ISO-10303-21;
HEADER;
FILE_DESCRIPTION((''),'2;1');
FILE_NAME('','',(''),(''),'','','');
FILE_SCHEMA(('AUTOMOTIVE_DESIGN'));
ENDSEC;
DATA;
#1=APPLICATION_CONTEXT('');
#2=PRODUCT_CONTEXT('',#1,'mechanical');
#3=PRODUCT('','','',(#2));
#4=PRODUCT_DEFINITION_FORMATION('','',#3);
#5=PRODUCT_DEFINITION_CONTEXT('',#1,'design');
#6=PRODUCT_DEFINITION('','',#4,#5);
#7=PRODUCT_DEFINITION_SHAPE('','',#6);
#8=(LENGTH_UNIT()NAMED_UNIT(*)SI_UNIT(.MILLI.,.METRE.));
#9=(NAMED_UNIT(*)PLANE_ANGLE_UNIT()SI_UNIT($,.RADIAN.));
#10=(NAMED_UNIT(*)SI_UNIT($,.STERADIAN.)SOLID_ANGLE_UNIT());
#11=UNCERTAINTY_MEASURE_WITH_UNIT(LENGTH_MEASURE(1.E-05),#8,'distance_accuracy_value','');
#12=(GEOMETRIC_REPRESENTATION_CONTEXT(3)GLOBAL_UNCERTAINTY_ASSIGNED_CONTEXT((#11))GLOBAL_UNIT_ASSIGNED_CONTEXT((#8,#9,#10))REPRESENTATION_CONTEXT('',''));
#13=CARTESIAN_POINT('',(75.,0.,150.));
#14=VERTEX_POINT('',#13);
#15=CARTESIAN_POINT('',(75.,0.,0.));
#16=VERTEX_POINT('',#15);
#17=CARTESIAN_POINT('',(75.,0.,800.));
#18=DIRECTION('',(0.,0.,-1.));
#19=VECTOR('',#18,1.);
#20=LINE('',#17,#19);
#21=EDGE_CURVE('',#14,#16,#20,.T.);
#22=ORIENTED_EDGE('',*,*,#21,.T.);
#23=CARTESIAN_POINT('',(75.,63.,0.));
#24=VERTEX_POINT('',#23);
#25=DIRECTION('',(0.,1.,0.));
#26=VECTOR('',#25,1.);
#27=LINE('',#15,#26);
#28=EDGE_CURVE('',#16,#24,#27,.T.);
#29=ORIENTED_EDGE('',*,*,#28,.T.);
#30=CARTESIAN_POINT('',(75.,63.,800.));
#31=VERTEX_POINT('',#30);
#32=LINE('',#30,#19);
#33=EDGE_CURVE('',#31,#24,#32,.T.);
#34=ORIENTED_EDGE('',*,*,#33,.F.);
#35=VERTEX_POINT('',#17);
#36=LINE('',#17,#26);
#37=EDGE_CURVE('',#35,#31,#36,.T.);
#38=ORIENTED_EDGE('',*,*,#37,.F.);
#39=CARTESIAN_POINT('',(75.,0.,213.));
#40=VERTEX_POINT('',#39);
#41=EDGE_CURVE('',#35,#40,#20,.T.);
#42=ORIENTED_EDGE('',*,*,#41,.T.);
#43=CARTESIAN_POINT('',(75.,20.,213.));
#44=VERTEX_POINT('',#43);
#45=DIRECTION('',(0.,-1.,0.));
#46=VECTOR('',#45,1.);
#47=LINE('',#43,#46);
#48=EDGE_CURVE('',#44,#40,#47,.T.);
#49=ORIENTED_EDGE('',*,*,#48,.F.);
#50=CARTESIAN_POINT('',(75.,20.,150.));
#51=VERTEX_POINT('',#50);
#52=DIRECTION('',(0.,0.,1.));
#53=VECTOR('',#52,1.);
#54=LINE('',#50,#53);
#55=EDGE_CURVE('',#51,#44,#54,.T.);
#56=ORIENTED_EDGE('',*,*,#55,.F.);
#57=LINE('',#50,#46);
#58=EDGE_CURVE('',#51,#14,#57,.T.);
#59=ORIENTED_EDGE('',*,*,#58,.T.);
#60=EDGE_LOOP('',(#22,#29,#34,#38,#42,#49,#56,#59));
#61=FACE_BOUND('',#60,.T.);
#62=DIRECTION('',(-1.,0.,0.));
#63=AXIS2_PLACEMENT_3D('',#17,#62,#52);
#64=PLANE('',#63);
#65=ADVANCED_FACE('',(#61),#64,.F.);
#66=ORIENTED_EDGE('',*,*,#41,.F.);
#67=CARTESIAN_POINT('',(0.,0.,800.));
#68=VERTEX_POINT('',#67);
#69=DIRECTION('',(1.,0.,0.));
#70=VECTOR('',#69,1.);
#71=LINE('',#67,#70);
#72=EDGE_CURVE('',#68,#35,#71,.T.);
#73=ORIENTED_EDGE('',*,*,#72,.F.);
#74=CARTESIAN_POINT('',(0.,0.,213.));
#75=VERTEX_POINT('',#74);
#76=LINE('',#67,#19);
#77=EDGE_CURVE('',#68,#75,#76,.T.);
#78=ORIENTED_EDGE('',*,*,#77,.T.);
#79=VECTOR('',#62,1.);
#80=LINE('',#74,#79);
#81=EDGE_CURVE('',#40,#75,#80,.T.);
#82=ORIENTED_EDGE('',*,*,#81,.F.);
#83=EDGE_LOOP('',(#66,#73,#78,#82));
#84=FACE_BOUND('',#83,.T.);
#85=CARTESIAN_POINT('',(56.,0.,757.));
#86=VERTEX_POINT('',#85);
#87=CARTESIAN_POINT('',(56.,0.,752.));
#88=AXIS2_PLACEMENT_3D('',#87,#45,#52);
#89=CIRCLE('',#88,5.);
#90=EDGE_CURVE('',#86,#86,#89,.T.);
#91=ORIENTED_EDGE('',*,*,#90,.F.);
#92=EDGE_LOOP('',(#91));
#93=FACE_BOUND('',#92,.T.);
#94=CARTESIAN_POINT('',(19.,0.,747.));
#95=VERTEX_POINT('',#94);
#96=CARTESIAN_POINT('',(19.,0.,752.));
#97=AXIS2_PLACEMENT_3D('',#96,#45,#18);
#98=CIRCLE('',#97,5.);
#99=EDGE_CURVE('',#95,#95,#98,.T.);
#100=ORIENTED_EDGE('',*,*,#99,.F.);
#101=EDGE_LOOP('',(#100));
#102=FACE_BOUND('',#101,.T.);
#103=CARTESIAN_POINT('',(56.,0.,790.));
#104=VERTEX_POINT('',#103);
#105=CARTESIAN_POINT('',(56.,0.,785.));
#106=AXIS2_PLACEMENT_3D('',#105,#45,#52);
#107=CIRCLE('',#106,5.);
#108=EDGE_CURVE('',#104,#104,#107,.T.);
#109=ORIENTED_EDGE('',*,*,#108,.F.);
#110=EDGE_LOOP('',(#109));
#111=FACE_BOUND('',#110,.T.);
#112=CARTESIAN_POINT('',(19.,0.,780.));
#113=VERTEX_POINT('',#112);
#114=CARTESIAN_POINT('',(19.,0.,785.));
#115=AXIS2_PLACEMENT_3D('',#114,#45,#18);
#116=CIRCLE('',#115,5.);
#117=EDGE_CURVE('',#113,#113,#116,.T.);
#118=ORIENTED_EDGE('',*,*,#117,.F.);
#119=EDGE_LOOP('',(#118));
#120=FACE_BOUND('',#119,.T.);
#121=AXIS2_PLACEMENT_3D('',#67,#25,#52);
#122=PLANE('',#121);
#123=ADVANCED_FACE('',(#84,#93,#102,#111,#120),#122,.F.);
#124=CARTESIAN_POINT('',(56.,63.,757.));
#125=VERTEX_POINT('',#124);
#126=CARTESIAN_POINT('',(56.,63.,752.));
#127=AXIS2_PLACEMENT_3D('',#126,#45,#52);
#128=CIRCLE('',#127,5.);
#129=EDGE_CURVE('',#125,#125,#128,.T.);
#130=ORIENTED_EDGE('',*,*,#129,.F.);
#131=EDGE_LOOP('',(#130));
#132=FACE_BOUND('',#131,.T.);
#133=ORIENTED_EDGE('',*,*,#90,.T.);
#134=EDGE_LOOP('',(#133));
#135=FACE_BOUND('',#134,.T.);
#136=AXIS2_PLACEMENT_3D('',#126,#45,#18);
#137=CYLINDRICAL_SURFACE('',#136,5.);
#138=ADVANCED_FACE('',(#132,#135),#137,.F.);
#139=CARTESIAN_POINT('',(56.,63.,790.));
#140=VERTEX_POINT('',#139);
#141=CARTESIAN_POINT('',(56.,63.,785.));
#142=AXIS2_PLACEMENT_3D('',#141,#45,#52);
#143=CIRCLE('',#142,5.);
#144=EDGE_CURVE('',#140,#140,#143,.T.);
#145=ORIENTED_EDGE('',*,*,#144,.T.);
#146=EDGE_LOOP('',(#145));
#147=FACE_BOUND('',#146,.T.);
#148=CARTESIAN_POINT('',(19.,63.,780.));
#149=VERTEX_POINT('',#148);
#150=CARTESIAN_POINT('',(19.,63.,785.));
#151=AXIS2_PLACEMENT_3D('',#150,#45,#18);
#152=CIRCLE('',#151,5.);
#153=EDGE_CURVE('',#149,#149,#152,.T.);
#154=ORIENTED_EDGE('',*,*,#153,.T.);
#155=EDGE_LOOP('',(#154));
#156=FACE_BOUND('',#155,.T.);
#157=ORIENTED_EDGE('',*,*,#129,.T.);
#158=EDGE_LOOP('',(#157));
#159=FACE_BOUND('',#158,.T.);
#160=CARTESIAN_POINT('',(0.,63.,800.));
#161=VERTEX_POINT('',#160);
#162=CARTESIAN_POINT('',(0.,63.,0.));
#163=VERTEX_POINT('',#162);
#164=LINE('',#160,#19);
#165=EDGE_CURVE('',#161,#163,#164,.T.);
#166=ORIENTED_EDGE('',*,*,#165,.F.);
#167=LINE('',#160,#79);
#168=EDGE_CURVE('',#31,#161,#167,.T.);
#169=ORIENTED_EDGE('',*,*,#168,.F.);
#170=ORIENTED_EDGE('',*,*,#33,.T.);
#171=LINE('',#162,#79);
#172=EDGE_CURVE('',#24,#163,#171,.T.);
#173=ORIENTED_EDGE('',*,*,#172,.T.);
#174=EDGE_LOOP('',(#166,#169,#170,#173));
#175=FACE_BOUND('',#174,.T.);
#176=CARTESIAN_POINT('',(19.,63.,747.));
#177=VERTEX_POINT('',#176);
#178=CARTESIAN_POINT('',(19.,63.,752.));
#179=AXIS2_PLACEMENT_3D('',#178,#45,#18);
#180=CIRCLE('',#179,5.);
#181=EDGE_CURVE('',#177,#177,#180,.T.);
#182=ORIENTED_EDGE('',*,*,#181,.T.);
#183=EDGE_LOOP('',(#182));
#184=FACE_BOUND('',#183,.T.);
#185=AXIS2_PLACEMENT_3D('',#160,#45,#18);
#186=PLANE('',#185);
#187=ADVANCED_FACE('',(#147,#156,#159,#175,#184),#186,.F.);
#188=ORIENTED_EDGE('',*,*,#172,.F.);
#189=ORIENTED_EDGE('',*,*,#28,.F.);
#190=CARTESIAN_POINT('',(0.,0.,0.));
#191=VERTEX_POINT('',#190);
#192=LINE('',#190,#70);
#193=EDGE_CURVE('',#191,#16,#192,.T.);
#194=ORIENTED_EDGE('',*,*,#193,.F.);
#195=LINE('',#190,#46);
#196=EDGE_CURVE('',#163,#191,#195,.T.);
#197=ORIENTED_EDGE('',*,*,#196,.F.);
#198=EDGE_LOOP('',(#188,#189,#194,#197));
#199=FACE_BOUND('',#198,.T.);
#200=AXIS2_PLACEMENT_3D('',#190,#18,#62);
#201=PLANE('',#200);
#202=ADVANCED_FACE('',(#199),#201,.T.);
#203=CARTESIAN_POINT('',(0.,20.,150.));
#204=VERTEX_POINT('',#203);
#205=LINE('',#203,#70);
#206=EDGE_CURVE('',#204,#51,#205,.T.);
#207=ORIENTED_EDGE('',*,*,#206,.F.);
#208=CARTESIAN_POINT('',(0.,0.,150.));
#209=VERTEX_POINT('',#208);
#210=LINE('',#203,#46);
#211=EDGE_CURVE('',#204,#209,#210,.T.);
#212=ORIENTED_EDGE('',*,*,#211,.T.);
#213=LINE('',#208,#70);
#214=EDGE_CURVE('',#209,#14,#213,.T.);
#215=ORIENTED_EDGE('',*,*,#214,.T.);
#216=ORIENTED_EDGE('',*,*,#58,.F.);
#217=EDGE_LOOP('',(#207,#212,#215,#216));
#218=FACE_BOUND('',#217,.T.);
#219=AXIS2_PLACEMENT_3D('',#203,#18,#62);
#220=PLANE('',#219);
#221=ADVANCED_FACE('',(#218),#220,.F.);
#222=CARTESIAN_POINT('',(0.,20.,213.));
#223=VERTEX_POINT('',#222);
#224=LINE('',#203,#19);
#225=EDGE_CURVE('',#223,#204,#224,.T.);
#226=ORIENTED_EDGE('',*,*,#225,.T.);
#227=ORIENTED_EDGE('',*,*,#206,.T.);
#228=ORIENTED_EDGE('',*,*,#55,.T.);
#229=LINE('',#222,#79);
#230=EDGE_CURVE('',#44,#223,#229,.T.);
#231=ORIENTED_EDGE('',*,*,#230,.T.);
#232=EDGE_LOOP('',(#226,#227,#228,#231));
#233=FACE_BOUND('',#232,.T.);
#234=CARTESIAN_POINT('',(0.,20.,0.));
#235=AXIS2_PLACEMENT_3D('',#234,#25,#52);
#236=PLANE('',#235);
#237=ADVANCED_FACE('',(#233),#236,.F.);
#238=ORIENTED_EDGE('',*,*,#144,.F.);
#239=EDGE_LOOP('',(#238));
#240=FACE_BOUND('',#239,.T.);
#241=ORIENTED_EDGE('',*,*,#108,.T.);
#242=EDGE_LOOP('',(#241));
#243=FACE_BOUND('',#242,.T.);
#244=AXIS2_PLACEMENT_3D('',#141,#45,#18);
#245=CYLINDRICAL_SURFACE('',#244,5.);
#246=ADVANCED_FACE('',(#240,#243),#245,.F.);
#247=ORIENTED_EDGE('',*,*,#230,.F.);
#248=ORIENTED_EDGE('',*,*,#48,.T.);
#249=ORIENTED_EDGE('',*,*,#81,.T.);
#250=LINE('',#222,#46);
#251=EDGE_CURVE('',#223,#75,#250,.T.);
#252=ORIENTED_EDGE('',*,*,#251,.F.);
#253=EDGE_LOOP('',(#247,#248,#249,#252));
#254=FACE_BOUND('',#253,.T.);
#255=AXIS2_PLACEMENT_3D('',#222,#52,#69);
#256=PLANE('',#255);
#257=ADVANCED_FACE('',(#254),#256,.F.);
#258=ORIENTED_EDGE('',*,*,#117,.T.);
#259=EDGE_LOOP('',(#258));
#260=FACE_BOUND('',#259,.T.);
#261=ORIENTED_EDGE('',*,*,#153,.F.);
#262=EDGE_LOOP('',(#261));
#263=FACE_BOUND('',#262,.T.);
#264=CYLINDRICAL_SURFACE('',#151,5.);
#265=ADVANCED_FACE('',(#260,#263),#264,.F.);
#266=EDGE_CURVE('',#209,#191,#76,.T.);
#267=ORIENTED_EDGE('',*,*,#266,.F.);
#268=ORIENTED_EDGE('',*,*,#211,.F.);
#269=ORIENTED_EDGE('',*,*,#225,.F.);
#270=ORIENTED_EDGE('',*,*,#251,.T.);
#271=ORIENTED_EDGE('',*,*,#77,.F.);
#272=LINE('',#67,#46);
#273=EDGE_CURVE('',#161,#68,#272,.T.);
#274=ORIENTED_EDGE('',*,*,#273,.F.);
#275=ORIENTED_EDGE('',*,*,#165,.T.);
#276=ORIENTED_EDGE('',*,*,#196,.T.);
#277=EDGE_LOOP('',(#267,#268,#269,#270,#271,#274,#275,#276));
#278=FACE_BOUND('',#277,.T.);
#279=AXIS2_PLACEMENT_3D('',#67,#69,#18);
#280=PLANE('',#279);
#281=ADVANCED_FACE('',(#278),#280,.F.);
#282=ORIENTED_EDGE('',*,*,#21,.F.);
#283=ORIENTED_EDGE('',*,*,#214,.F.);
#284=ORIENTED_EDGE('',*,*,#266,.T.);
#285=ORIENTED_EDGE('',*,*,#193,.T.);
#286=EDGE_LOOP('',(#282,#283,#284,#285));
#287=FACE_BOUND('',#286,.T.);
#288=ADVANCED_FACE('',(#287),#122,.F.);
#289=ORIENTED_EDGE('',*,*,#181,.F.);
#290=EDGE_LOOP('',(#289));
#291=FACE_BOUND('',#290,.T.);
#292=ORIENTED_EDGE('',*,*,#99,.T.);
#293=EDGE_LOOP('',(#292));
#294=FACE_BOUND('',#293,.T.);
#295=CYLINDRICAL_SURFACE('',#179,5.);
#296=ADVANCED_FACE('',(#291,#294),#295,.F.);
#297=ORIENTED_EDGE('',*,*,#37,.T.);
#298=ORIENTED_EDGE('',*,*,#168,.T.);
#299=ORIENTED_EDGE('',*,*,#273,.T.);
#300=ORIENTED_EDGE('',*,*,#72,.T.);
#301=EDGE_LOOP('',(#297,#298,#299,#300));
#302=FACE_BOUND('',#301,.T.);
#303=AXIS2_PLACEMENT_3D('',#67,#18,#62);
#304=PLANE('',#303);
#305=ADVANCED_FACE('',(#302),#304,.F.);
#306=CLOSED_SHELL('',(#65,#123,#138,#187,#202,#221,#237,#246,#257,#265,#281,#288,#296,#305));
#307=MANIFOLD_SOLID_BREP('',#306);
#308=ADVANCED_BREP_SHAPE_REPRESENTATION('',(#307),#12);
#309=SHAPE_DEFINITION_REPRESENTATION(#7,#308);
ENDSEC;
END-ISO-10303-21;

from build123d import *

# Parameters (mm, degrees)
ESQUISSE1_W             = 75
ESQUISSE1_H             = 63
BOSS_EXTRU_1_DEPTH      = 800
ESQUISSE2_R             = 5
ENL_V_MAT_EXTRU_1_DEPTH = 806.973944988
ESQUISSE3_W             = 75
ESQUISSE3_H             = 63
ENL_V_MAT_EXTRU_2_DEPTH = 20


with BuildPart() as part:
    # Esquisse1 → Boss.-Extru.1 (new body)
    with BuildSketch(Plane.XY):
        with Locations((37.5, 31.5)):
            Rectangle(ESQUISSE1_W, ESQUISSE1_H)
    extrude(amount=BOSS_EXTRU_1_DEPTH)

    # Esquisse2 → Enlèv. mat.-Extru.1 (cut, through all)
    with BuildSketch(Plane.XZ):
        with Locations(Location((19, 752, 0), (0, 0, 270))):
            Circle(ESQUISSE2_R)
        with Locations(Location((19, 785, 0), (0, 0, 270))):
            Circle(ESQUISSE2_R)
        with Locations(Location((56, 785, 0), (0, 0, 90))):
            Circle(ESQUISSE2_R)
        with Locations(Location((56, 752, 0), (0, 0, 90))):
            Circle(ESQUISSE2_R)
    extrude(amount=-ENL_V_MAT_EXTRU_1_DEPTH, mode=Mode.SUBTRACT)

    # Esquisse3 → Enlèv. mat.-Extru.2 (cut)
    with BuildSketch(Plane.XZ):
        with Locations((37.5, 181.5)):
            Rectangle(ESQUISSE3_W, ESQUISSE3_H)
    extrude(amount=-ENL_V_MAT_EXTRU_2_DEPTH, mode=Mode.SUBTRACT)


solid = part.part
